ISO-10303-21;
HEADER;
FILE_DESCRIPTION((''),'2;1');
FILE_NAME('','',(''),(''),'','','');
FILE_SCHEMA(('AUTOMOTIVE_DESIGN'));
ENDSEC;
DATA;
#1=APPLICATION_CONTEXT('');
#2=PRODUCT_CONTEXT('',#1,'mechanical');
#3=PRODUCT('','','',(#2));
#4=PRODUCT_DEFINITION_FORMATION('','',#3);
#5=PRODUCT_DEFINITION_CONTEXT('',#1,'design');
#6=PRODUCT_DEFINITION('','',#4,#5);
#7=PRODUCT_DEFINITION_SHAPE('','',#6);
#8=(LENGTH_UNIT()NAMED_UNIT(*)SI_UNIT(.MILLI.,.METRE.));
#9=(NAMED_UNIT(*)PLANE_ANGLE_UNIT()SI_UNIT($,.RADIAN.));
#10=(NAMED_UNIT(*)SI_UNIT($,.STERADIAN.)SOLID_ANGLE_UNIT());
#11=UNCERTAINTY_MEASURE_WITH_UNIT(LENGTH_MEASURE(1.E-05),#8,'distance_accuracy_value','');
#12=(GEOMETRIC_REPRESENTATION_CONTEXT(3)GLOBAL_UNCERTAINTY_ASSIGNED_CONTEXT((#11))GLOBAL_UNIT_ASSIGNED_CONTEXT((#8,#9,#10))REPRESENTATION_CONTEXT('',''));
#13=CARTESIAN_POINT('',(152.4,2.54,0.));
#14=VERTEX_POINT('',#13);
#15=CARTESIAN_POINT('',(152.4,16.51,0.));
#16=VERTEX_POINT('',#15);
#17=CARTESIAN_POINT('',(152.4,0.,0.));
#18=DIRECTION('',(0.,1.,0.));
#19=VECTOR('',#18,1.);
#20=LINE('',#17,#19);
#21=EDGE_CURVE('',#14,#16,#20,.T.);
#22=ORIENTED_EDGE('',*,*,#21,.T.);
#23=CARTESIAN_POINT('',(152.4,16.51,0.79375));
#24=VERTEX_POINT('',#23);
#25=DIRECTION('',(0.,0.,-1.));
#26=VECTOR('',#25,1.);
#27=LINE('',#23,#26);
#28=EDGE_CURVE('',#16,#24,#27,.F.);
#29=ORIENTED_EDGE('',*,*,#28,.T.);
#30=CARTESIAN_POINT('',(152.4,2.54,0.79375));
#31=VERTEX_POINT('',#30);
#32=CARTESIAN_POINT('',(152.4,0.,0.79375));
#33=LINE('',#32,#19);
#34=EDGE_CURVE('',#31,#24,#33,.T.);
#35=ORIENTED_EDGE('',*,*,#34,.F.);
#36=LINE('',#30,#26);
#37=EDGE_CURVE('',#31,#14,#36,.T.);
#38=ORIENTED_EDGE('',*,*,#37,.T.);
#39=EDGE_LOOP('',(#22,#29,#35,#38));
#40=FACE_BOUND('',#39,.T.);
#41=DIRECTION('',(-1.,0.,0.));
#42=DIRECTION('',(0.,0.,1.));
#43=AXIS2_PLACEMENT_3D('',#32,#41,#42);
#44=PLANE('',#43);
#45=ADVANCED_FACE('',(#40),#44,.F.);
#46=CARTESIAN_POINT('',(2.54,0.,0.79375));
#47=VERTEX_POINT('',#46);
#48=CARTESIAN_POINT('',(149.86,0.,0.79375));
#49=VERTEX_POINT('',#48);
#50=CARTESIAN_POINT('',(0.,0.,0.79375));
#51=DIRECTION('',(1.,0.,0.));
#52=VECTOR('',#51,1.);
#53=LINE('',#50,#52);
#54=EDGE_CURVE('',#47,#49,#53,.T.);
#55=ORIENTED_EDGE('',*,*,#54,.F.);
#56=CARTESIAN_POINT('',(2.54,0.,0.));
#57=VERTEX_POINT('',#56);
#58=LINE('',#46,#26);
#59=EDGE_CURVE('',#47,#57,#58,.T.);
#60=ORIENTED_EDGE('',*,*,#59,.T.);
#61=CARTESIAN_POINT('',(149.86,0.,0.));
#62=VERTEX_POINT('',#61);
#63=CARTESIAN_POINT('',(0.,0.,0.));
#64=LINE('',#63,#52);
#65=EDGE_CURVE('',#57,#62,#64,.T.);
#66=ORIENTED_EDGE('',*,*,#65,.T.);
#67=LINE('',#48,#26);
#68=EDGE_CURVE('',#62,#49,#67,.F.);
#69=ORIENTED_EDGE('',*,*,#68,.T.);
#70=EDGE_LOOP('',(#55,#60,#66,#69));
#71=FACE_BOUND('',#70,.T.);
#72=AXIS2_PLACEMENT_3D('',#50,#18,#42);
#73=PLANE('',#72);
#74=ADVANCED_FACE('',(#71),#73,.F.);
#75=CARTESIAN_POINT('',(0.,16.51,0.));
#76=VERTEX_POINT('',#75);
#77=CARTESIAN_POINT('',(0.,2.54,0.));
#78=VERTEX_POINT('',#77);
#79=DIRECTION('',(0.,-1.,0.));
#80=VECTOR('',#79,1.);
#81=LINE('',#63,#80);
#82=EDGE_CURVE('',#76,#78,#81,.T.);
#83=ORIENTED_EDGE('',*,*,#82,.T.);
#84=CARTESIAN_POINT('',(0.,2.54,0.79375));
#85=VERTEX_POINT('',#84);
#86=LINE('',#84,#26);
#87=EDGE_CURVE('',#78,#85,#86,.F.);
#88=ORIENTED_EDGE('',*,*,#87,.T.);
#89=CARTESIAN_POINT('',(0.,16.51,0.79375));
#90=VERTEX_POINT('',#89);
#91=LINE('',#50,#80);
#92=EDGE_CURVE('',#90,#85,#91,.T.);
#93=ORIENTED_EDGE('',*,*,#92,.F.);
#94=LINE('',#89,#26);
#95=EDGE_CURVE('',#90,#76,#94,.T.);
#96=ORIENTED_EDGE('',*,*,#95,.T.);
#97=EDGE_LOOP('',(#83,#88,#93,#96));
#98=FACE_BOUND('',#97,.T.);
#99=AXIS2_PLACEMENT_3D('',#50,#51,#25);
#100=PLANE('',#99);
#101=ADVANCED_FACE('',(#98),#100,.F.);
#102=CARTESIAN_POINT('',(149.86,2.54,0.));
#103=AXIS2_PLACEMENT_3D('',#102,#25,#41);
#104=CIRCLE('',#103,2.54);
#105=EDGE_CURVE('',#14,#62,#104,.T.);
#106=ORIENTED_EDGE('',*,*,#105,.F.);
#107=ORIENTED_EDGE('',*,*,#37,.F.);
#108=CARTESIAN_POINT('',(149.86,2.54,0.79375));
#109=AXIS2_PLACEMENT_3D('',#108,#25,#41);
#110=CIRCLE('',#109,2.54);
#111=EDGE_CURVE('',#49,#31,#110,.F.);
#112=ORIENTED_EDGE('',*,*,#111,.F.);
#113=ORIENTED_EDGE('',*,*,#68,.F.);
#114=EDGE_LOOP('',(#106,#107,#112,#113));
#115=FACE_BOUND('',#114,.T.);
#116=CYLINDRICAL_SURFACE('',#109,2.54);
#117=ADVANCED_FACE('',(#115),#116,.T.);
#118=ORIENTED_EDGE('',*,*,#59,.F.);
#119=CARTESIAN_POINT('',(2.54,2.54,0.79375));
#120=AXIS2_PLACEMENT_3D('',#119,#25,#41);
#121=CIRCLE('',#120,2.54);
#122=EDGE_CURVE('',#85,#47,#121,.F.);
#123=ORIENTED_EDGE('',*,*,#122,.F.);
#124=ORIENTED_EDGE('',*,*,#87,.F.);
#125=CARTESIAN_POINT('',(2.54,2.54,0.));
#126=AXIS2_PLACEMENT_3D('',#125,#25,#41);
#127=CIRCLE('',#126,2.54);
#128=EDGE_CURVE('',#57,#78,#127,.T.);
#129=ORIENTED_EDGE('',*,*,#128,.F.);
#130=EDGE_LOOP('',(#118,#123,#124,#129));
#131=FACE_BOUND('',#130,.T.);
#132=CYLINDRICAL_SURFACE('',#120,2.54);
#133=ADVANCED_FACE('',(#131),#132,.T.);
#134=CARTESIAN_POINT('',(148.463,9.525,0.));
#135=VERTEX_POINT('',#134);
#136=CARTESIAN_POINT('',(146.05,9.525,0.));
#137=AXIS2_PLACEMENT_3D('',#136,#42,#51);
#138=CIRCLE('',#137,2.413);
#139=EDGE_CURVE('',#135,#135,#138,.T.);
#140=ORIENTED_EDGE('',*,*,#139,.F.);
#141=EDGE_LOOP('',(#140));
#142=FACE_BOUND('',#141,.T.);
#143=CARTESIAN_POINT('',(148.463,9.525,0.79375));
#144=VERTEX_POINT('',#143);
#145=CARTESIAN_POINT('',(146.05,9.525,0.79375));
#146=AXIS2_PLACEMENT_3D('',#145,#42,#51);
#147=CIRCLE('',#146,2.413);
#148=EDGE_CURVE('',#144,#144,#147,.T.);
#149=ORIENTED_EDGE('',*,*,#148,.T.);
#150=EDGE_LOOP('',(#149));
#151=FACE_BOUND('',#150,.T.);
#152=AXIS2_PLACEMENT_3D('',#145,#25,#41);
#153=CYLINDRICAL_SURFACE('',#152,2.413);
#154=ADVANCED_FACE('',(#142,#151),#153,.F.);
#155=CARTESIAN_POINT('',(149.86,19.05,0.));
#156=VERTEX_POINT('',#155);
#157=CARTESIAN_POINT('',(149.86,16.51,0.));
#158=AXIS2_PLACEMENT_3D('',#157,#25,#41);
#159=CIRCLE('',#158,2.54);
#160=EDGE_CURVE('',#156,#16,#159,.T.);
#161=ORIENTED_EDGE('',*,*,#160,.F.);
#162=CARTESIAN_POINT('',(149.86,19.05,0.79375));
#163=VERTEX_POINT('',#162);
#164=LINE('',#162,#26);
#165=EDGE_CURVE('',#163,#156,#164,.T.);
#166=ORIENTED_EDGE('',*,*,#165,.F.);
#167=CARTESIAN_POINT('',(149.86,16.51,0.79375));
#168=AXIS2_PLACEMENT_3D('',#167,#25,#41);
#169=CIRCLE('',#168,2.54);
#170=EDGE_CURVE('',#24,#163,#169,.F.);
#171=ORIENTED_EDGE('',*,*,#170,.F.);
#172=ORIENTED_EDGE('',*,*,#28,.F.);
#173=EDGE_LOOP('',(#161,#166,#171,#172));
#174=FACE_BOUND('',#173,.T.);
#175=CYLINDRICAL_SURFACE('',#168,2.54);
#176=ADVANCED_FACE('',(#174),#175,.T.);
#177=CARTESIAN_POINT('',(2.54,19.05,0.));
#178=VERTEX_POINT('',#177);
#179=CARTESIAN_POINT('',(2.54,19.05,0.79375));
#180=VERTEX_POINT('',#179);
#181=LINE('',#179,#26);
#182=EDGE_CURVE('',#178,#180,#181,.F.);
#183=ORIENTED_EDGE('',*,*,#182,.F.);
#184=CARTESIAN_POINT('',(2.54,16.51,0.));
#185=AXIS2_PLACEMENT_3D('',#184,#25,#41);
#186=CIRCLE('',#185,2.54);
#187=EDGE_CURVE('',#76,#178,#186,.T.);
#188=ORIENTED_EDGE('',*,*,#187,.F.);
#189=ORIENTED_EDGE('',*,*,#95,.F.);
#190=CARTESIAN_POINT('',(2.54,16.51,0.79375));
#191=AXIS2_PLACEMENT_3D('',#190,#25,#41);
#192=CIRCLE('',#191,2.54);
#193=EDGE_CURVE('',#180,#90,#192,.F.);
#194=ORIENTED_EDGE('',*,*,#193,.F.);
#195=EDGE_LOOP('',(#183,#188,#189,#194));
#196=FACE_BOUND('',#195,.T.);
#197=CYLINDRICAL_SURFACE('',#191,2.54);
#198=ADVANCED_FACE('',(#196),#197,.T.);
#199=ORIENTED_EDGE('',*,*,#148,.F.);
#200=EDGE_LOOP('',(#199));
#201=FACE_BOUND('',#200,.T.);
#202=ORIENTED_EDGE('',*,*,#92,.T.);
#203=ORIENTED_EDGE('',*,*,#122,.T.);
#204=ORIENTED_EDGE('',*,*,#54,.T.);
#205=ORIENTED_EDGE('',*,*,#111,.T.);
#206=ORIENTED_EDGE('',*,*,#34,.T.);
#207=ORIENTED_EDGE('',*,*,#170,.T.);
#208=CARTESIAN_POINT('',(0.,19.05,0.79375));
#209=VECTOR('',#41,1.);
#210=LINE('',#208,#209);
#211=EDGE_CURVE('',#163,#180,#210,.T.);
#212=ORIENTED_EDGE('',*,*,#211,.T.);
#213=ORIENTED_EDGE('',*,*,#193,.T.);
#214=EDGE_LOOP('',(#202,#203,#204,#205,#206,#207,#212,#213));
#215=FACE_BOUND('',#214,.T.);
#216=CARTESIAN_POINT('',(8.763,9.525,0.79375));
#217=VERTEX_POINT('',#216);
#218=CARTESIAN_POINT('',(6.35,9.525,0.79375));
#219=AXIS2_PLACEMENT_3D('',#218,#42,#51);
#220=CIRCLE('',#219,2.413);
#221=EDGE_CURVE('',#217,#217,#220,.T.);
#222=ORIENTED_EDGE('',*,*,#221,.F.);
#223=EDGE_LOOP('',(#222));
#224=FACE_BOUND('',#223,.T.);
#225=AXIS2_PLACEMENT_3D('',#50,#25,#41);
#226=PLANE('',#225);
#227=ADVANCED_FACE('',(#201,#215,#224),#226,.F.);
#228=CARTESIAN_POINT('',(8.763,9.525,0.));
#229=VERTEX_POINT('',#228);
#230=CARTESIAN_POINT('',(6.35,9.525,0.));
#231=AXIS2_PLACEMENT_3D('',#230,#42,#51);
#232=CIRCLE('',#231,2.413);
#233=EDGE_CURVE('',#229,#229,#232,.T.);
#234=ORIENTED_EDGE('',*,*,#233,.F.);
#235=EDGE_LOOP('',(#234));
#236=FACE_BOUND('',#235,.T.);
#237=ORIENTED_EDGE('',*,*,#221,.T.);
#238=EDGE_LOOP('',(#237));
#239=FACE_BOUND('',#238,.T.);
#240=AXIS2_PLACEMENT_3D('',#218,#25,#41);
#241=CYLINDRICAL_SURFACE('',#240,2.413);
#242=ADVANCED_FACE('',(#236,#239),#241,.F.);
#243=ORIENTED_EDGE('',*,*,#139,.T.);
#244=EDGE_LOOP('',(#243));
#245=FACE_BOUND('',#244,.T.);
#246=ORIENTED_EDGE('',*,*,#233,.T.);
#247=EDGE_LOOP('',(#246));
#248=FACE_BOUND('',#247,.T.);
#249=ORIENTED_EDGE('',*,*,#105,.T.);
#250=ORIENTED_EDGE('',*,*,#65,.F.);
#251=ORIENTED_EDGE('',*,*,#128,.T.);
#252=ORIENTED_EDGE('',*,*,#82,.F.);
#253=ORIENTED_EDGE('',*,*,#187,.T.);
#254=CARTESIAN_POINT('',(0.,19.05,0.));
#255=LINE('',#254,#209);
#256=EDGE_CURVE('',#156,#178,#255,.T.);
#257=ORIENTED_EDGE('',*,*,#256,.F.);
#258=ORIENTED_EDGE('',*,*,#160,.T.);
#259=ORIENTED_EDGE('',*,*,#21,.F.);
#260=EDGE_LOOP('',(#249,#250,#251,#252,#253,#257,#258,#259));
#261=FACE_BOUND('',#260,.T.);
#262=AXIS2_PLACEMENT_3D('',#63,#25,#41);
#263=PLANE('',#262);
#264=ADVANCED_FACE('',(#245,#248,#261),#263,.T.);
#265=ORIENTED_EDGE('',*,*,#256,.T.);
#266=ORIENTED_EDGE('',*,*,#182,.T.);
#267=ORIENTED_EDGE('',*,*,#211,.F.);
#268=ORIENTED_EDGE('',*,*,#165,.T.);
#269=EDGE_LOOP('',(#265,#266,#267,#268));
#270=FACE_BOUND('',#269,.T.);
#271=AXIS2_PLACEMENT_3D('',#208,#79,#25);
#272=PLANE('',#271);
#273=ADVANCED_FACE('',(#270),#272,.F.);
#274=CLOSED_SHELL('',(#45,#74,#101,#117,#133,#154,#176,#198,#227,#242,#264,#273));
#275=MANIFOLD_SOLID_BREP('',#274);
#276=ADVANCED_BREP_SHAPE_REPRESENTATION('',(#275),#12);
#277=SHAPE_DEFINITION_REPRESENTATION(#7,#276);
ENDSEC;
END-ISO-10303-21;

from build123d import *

# Parameters (mm, degrees)
SKETCH1_W           = 152.4
SKETCH1_H           = 19.05
SKETCH1_R           = 2.413
BOSS_EXTRUDE1_DEPTH = 0.79375
FILLET1_R           = 2.54


with BuildPart() as part:
    # Sketch1 → Boss-Extrude1 (new body)
    with BuildSketch(Plane.XY):
        with Locations((76.2, 9.525)):
            Rectangle(SKETCH1_W, SKETCH1_H)
        with Locations((6.35, 9.525)):
            Circle(SKETCH1_R, mode=Mode.SUBTRACT)
        with Locations((146.05, 9.525)):
            Circle(SKETCH1_R, mode=Mode.SUBTRACT)
    extrude(amount=BOSS_EXTRUDE1_DEPTH)

    # Fillet1
    fillet1_edges = [part.edges().sort_by_distance(p)[0] for p in [
        (0, 19.05, 0.396875),
        (152.4, 19.05, 0.396875),
        (152.4, 0, 0.396875),
        (0, 0, 0.396875),
    ]]
    fillet(fillet1_edges, radius=FILLET1_R)


solid = part.part
